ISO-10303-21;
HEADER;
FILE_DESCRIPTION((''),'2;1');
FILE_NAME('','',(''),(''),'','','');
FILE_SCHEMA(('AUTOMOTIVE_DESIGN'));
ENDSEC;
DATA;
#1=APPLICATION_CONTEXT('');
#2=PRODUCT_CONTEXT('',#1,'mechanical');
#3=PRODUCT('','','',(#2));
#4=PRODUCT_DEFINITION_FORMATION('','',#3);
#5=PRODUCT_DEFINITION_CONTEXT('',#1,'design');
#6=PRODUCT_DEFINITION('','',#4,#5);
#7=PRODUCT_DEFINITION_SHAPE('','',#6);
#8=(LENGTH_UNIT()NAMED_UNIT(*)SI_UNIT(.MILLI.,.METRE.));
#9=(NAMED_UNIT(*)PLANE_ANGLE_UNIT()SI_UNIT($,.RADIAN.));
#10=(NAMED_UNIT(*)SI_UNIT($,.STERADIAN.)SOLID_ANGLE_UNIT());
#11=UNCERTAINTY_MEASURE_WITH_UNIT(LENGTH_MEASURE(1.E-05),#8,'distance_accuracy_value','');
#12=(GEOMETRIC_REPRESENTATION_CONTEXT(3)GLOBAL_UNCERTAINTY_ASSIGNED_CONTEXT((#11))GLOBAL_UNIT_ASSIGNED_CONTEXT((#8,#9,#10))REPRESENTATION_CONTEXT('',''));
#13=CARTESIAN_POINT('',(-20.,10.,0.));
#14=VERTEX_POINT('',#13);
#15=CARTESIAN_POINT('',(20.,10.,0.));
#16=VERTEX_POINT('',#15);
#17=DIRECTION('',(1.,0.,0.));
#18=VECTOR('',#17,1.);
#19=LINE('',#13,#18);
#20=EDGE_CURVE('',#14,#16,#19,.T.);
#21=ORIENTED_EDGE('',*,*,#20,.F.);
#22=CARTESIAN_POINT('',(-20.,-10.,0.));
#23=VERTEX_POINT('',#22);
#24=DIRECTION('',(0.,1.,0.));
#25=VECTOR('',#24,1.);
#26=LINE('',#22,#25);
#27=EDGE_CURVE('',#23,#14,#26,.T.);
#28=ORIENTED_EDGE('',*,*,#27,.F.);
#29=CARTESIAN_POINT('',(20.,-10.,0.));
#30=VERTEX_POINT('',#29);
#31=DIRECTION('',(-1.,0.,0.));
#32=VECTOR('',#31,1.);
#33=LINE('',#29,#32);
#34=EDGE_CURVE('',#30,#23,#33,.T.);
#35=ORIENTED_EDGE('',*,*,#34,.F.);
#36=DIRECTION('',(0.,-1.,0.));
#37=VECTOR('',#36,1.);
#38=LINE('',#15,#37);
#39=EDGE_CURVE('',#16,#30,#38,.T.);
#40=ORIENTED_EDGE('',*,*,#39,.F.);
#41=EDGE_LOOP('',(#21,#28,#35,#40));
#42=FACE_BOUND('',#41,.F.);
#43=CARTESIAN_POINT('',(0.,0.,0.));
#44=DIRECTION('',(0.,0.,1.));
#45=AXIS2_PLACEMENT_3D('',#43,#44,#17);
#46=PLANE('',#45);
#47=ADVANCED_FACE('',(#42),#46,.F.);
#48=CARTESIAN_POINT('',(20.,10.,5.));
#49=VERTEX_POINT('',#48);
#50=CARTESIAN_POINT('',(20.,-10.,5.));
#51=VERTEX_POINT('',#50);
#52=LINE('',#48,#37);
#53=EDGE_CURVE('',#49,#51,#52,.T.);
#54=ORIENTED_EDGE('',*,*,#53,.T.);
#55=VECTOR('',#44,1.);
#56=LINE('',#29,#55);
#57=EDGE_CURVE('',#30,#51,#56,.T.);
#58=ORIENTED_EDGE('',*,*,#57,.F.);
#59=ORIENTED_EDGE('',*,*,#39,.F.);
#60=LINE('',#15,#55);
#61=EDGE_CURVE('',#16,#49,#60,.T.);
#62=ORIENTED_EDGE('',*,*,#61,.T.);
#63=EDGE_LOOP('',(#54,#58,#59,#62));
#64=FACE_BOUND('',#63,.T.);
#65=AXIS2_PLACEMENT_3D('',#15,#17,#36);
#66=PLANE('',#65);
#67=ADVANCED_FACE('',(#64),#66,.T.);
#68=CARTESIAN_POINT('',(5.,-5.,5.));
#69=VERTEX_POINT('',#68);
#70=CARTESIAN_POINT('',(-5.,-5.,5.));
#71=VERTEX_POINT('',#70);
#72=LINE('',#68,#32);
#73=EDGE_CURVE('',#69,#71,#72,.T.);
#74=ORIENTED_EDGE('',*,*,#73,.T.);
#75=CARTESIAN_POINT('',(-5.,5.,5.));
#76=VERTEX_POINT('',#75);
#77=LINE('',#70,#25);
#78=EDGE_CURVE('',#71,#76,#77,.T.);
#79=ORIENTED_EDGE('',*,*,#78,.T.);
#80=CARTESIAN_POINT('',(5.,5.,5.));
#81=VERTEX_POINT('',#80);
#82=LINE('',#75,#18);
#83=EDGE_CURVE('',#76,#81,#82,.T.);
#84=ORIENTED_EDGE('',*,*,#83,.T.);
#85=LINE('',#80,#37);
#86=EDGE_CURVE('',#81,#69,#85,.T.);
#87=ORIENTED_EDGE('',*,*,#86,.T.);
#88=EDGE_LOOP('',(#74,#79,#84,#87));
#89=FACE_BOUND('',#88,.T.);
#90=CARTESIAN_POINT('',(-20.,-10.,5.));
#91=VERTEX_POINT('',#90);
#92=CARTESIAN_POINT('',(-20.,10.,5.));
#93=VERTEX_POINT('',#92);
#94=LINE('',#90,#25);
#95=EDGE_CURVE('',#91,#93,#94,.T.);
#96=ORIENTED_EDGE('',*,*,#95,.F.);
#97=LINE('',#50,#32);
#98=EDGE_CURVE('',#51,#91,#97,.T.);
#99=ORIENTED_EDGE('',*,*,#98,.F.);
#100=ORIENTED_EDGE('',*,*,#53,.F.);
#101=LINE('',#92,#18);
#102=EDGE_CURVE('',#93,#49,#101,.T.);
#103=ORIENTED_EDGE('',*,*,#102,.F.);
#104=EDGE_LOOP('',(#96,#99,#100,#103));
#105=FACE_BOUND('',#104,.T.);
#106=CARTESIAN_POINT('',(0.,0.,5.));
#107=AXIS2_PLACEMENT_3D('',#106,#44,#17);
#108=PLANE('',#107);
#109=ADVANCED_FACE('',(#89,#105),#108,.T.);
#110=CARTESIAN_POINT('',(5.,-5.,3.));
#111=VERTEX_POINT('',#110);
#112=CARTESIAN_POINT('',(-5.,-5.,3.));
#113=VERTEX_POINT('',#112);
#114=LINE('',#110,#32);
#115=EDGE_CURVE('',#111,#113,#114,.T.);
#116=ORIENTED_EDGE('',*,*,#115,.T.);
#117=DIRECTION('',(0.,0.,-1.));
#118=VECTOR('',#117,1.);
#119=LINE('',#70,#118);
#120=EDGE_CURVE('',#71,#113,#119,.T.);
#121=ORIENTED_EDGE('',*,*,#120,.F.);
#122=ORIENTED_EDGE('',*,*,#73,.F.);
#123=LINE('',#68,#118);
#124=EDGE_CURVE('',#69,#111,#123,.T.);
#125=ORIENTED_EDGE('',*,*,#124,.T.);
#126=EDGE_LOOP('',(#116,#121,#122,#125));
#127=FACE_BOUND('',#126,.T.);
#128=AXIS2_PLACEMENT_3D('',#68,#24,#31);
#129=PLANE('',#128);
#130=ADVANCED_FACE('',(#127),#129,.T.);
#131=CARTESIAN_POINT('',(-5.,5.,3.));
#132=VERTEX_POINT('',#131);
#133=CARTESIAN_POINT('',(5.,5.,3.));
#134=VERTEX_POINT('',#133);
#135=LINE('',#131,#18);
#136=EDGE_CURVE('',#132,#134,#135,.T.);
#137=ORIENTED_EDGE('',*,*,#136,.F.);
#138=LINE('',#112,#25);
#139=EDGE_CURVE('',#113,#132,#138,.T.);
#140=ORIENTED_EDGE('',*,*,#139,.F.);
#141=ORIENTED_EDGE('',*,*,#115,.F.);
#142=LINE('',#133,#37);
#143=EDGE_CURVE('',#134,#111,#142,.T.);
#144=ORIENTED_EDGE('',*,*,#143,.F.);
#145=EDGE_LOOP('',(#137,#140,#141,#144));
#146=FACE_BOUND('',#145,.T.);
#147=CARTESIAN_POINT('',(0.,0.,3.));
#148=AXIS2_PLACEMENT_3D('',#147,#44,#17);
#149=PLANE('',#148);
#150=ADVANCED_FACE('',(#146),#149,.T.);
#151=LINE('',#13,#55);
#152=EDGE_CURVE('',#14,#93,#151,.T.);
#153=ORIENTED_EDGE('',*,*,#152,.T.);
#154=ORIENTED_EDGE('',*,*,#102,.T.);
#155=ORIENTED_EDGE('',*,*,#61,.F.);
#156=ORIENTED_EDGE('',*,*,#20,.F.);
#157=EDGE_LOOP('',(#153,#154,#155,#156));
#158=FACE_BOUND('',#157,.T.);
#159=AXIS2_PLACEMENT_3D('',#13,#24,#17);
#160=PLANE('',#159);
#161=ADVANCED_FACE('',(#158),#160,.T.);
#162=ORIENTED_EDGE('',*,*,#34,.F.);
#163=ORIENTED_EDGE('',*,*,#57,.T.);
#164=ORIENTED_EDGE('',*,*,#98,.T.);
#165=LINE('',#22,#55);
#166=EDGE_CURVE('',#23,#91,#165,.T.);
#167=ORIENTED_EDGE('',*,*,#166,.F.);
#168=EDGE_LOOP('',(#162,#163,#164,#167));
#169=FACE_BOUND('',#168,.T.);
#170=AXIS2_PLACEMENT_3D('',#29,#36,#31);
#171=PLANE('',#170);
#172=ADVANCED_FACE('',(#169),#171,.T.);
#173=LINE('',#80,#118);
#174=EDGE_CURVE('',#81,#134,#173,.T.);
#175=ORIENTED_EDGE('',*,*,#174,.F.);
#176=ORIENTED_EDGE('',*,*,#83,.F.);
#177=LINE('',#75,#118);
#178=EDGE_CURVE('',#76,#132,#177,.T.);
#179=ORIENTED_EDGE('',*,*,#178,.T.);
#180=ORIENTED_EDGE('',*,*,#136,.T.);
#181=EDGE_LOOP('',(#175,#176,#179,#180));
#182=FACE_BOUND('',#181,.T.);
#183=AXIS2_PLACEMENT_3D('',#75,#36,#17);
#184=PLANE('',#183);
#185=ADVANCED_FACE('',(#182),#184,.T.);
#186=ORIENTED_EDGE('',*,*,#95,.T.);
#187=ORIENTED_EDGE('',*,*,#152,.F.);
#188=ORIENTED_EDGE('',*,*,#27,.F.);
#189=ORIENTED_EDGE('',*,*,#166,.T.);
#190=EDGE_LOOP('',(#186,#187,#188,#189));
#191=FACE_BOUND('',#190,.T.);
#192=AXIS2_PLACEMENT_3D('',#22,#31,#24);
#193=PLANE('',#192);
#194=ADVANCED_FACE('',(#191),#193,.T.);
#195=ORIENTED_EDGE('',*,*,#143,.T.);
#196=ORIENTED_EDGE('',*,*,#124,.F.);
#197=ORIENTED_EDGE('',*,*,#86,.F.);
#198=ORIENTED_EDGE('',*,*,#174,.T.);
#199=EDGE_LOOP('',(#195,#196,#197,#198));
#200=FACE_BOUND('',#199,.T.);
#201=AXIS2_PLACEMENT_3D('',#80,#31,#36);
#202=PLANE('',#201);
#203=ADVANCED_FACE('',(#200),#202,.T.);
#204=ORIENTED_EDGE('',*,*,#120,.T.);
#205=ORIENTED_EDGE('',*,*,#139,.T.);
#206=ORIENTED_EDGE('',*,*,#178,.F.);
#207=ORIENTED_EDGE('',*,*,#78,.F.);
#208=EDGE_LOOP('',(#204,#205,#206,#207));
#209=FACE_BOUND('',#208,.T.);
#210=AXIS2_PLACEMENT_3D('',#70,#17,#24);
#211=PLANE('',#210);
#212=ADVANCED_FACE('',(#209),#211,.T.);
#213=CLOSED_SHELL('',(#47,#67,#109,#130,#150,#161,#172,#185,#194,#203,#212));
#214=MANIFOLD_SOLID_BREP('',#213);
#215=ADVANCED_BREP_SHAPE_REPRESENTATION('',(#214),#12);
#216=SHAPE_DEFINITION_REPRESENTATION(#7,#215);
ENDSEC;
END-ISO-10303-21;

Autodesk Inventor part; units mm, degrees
ref_plane "YZ Plane" through (0, 0, 0) normal (1, 0, 0) x (0, 1, 0)
ref_plane "XZ Plane" through (0, 0, 0) normal (0, 1, 0) x (-1, 0, 0)
ref_plane "XY Plane" through (0, 0, 0) normal (0, 0, 1) x (1, 0, 0)
sketch "Esquisse1" plane through (0, 0, 0) normal (0, 0, 1) x (1, 0, 0)
  line L0 (-20, 10) -> (20, 10)
  line L1 (20, 10) -> (20, -10)
  line L2 (20, -10) -> (-20, -10)
  line L3 (-20, -10) -> (-20, 10)
  line L4 (-20, 10) -> (20, -10)
  line L5 (-20, -10) -> (20, 10)
  point P0 (0, 0)
  point P1 (0, 0)
  point P2 (0, 0)
  dimension "d0" = 40
  dimension "d1" = 20
extrude "Extrusion1" add sketch "Esquisse1" along normal blind 5
sketch "Esquisse2" plane through (0, 0, 5) normal (0, 0, 1) x (1, 0, 0)
  line L0 (-5, 5) -> (5, 5)
  line L1 (5, 5) -> (5, -5)
  line L2 (5, -5) -> (-5, -5)
  line L3 (-5, -5) -> (-5, 5)
  line L4 (-5, 5) -> (5, -5)
  line L5 (-5, -5) -> (5, 5)
  point P0 (0, 0)
  point P1 (0, 0)
  point P2 (0, 0)
  point P3 (0, 0)
  dimension "d4" = 10
  dimension "d5" = 10
extrude "Extrusion2" cut sketch "Esquisse2" against normal blind 2
properties part number "support_aimant_pince"
